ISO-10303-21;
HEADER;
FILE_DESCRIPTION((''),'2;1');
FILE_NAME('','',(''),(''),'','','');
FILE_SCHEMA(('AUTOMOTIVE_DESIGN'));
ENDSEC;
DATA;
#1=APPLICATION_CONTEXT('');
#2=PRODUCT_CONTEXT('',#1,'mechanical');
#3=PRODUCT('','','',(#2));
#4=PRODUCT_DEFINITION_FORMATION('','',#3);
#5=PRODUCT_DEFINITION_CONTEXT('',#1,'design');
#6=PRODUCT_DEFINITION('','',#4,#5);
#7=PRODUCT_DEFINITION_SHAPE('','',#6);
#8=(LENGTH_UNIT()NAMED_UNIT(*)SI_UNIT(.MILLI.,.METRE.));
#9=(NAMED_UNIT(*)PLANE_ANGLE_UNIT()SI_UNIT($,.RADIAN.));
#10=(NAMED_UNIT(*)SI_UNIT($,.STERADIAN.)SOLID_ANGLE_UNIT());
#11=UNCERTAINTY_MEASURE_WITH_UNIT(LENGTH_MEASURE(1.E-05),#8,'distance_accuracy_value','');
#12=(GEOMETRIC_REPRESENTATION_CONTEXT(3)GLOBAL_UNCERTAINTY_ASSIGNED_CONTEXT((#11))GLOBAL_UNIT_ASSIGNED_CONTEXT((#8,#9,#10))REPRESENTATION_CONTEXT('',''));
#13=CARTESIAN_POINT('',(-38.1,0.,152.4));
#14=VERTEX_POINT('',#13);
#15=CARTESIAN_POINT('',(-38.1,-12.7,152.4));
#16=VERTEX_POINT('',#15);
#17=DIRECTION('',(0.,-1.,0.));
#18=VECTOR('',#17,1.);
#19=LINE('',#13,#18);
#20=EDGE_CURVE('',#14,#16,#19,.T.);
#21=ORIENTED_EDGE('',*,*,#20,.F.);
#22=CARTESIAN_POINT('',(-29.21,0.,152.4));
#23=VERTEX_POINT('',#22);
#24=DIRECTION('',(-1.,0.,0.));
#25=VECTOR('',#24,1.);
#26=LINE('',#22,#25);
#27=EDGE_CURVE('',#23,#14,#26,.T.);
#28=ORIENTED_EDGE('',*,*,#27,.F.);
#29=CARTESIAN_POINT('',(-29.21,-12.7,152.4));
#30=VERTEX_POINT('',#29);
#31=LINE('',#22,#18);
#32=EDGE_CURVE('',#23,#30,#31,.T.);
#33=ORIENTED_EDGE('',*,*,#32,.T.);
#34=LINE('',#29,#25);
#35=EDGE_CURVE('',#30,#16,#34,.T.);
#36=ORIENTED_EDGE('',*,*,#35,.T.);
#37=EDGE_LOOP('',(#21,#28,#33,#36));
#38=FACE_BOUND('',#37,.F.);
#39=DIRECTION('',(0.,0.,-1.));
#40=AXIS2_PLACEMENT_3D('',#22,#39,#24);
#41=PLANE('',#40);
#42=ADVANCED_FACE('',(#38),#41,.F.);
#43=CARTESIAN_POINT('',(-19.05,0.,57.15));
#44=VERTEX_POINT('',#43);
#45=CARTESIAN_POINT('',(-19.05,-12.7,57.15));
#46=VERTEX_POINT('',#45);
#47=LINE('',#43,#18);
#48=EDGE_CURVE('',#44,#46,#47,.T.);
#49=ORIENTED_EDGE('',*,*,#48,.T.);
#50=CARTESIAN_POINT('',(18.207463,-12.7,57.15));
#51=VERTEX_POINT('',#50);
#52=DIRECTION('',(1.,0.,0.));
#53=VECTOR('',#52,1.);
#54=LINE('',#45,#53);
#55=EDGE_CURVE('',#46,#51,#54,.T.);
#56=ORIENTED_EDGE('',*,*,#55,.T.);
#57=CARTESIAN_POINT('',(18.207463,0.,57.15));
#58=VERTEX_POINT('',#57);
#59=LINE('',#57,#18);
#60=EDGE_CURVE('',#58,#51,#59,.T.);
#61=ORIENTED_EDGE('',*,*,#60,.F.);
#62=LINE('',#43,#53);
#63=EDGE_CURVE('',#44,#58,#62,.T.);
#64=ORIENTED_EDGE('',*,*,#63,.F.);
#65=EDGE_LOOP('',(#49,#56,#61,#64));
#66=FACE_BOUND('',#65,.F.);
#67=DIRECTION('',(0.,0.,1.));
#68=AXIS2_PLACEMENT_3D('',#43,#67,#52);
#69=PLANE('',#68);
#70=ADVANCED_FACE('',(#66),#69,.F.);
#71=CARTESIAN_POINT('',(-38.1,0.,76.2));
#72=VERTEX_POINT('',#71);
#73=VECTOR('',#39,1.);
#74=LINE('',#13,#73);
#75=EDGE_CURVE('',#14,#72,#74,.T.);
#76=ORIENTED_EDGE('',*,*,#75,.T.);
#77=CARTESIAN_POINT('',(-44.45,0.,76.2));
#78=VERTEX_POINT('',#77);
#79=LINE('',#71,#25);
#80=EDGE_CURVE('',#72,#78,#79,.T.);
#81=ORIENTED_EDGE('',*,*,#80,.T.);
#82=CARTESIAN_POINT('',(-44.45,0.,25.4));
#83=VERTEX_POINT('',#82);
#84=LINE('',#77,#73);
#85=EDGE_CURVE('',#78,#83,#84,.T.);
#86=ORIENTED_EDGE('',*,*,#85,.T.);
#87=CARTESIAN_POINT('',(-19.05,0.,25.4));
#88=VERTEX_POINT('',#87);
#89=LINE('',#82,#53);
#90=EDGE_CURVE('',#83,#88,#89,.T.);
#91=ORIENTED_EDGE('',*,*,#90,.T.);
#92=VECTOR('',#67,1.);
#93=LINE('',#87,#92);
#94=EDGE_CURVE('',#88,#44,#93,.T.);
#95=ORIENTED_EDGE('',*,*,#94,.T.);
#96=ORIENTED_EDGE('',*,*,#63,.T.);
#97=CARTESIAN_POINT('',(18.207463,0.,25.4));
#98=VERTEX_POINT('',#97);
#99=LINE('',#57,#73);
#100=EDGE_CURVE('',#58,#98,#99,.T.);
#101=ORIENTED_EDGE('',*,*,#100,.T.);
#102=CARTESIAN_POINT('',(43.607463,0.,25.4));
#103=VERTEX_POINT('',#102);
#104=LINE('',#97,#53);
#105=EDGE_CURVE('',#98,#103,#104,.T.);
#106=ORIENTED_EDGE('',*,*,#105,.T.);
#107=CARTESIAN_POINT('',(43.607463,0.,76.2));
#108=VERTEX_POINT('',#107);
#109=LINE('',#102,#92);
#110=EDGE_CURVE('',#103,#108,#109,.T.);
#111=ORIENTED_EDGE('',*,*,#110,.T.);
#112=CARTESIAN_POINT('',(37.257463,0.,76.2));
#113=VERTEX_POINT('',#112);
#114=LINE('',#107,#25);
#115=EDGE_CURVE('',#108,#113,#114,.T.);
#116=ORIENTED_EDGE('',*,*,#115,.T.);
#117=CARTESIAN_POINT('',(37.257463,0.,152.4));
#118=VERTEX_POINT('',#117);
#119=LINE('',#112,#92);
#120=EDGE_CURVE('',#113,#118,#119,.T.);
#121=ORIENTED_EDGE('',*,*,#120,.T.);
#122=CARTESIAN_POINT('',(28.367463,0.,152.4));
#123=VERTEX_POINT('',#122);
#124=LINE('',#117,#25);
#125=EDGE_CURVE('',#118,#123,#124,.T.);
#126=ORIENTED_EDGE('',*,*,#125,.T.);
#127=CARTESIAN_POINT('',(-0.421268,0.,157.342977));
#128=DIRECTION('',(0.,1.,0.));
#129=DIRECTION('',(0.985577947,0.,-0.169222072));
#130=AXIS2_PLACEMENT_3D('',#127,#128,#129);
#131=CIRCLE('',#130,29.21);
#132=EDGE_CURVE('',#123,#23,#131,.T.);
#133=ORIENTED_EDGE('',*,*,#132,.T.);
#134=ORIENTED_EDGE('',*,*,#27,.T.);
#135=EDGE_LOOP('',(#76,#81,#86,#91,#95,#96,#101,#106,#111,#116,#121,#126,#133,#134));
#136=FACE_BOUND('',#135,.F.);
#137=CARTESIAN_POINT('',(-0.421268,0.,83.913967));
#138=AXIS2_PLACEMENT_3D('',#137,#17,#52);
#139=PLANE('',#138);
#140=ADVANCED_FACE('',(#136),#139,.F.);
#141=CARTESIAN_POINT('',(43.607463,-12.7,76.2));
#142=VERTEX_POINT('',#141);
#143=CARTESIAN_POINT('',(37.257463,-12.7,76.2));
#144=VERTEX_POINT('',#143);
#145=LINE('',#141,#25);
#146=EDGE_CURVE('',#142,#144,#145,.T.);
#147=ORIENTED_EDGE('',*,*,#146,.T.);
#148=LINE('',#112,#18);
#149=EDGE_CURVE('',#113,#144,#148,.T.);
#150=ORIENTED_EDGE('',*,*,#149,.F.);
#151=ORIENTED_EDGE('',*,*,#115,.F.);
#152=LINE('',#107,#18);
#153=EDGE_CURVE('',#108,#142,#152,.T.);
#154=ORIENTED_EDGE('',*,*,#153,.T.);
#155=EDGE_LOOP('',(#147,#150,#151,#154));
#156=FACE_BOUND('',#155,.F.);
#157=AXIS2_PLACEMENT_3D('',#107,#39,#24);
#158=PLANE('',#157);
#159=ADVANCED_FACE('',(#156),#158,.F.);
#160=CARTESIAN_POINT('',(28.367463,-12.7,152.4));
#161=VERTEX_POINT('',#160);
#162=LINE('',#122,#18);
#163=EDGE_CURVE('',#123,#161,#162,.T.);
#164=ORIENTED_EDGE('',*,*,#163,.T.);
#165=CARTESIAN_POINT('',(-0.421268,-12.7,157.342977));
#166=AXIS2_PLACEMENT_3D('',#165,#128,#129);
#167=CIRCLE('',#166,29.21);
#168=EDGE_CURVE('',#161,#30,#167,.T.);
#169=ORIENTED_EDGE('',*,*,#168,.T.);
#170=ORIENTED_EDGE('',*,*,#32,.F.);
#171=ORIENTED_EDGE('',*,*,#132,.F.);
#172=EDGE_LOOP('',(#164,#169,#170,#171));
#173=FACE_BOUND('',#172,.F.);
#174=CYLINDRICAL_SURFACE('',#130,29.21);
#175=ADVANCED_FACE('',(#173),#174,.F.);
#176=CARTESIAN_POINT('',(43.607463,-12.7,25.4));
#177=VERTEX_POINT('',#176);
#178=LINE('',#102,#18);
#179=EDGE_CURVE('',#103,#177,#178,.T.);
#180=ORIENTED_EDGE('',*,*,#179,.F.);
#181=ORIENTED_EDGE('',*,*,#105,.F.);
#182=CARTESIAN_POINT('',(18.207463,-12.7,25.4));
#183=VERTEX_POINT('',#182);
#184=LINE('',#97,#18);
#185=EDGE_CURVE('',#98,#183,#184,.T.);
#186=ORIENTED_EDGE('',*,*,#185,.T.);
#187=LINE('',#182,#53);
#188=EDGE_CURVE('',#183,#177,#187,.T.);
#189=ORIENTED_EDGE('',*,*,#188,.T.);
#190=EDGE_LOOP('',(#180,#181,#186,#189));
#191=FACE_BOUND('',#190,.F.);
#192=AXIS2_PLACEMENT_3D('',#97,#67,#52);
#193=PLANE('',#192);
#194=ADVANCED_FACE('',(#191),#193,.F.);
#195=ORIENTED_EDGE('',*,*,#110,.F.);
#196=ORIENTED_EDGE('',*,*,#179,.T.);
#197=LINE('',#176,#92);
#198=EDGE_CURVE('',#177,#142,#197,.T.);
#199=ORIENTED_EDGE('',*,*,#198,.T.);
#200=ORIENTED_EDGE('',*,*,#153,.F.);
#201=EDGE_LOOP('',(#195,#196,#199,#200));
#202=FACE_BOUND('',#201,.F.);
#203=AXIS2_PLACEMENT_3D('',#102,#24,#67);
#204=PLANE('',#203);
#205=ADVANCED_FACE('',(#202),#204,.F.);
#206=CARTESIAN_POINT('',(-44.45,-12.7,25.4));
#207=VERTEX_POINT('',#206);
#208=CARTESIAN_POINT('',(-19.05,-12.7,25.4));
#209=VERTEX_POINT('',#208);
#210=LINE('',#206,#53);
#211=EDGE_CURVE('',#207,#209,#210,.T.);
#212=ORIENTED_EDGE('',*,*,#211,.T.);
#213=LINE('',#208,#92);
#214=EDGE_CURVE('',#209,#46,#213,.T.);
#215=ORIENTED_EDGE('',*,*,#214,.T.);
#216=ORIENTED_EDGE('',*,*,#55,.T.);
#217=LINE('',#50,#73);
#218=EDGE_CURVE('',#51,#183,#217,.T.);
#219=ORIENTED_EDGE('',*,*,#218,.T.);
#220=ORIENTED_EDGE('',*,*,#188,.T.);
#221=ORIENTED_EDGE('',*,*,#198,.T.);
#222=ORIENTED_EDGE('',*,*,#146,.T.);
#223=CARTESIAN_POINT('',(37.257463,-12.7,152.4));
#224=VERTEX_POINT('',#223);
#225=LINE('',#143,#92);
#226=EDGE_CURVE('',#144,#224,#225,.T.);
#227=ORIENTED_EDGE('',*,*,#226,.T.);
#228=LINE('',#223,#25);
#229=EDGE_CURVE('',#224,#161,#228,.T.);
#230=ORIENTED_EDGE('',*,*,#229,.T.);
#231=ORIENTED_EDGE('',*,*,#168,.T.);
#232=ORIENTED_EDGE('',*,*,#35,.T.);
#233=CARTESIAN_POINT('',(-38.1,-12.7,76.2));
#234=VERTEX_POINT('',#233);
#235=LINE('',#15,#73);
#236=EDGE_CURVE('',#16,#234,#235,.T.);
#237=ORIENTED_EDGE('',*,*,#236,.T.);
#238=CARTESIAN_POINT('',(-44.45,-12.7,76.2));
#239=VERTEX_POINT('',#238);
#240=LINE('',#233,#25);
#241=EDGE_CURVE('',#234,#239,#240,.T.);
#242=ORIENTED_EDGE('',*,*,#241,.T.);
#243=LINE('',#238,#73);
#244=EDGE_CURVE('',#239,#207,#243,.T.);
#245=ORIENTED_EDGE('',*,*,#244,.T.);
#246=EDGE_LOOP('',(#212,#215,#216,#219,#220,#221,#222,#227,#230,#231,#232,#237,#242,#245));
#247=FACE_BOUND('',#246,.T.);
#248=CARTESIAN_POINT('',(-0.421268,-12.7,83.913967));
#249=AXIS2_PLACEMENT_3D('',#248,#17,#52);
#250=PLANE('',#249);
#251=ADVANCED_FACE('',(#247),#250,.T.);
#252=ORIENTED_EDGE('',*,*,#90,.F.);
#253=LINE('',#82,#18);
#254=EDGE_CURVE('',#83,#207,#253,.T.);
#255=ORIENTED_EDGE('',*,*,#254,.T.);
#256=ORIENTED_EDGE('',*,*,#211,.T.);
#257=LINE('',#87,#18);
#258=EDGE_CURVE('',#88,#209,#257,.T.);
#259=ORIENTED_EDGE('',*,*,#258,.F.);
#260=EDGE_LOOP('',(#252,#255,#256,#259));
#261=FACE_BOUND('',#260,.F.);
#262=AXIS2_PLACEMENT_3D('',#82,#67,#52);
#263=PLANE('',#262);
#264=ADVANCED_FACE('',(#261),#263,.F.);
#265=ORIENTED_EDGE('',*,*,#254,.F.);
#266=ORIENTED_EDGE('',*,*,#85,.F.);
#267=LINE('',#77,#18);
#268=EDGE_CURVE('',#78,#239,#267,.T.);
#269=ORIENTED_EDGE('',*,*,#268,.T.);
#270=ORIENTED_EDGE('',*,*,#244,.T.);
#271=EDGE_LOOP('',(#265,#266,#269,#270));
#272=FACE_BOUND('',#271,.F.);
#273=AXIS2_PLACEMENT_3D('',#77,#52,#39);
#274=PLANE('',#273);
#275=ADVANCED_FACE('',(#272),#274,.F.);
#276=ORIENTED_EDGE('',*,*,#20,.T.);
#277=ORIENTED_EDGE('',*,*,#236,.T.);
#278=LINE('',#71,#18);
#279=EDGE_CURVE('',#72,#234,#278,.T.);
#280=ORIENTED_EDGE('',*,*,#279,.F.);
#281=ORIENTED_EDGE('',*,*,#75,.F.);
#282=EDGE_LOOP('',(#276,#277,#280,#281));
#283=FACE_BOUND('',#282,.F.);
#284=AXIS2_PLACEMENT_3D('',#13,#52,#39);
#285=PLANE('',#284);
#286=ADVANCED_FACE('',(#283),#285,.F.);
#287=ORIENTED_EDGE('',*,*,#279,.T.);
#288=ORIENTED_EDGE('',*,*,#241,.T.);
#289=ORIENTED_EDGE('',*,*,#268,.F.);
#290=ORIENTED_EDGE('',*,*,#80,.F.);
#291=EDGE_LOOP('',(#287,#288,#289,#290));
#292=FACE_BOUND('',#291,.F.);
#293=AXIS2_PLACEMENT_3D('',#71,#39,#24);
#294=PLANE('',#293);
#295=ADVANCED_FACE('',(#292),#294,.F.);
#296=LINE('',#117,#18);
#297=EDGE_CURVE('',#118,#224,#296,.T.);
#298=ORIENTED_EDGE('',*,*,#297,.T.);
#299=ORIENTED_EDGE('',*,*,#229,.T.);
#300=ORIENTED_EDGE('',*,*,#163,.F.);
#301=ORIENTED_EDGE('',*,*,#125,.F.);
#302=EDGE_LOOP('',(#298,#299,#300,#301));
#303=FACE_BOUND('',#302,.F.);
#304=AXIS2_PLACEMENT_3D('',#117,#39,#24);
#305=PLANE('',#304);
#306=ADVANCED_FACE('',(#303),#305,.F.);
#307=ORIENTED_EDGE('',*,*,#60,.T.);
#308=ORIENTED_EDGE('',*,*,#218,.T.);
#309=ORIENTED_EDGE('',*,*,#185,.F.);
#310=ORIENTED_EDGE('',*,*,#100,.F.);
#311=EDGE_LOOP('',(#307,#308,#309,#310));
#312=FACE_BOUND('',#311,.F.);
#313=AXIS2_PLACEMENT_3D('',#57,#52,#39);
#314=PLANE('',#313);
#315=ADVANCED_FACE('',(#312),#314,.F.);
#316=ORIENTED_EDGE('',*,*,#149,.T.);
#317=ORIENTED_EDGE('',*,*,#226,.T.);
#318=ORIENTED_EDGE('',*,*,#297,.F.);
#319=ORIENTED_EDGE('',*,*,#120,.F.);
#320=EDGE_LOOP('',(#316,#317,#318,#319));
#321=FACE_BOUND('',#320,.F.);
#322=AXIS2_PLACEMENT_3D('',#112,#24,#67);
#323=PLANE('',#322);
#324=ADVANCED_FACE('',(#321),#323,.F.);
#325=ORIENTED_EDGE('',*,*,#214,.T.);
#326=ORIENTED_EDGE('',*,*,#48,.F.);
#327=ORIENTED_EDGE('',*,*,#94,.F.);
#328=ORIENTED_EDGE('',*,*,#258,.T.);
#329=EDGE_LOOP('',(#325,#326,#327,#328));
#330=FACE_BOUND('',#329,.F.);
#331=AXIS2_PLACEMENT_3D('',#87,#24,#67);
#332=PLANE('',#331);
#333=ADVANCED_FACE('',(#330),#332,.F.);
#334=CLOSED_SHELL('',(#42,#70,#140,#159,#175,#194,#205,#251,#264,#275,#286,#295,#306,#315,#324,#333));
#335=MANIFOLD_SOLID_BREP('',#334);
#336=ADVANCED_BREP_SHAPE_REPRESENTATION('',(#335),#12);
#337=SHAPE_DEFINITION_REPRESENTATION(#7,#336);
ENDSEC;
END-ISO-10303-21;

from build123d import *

# Parameters (mm, degrees)
F1_DEPTH = 12.7


with BuildPart() as f1:
    # F0 (on Front) → F1 (new body)
    with BuildSketch(Plane.XZ):
        with BuildLine():
            Line((-44.45, 76.2), (-44.45, 25.4))
            Line((-44.45, 25.4), (-19.05, 25.4))
            Line((-19.05, 25.4), (-19.05, 57.15))
            Line((-19.05, 57.15), (18.207463, 57.15))
            Line((18.207463, 57.15), (18.207463, 25.4))
            Line((18.207463, 25.4), (43.607463, 25.4))
            Line((43.607463, 25.4), (43.607463, 76.2))
            Line((43.607463, 76.2), (37.257463, 76.2))
            Line((37.257463, 76.2), (37.257463, 152.4))
            Line((37.257463, 152.4), (28.367463, 152.4))
            ThreePointArc((28.367463, 152.4), (-0.421268, 128.132977), (-29.21, 152.4))
            Line((-29.21, 152.4), (-38.1, 152.4))
            Line((-38.1, 152.4), (-38.1, 76.2))
            Line((-38.1, 76.2), (-44.45, 76.2))
        make_face()
    extrude(amount=F1_DEPTH)


solid = f1.part
